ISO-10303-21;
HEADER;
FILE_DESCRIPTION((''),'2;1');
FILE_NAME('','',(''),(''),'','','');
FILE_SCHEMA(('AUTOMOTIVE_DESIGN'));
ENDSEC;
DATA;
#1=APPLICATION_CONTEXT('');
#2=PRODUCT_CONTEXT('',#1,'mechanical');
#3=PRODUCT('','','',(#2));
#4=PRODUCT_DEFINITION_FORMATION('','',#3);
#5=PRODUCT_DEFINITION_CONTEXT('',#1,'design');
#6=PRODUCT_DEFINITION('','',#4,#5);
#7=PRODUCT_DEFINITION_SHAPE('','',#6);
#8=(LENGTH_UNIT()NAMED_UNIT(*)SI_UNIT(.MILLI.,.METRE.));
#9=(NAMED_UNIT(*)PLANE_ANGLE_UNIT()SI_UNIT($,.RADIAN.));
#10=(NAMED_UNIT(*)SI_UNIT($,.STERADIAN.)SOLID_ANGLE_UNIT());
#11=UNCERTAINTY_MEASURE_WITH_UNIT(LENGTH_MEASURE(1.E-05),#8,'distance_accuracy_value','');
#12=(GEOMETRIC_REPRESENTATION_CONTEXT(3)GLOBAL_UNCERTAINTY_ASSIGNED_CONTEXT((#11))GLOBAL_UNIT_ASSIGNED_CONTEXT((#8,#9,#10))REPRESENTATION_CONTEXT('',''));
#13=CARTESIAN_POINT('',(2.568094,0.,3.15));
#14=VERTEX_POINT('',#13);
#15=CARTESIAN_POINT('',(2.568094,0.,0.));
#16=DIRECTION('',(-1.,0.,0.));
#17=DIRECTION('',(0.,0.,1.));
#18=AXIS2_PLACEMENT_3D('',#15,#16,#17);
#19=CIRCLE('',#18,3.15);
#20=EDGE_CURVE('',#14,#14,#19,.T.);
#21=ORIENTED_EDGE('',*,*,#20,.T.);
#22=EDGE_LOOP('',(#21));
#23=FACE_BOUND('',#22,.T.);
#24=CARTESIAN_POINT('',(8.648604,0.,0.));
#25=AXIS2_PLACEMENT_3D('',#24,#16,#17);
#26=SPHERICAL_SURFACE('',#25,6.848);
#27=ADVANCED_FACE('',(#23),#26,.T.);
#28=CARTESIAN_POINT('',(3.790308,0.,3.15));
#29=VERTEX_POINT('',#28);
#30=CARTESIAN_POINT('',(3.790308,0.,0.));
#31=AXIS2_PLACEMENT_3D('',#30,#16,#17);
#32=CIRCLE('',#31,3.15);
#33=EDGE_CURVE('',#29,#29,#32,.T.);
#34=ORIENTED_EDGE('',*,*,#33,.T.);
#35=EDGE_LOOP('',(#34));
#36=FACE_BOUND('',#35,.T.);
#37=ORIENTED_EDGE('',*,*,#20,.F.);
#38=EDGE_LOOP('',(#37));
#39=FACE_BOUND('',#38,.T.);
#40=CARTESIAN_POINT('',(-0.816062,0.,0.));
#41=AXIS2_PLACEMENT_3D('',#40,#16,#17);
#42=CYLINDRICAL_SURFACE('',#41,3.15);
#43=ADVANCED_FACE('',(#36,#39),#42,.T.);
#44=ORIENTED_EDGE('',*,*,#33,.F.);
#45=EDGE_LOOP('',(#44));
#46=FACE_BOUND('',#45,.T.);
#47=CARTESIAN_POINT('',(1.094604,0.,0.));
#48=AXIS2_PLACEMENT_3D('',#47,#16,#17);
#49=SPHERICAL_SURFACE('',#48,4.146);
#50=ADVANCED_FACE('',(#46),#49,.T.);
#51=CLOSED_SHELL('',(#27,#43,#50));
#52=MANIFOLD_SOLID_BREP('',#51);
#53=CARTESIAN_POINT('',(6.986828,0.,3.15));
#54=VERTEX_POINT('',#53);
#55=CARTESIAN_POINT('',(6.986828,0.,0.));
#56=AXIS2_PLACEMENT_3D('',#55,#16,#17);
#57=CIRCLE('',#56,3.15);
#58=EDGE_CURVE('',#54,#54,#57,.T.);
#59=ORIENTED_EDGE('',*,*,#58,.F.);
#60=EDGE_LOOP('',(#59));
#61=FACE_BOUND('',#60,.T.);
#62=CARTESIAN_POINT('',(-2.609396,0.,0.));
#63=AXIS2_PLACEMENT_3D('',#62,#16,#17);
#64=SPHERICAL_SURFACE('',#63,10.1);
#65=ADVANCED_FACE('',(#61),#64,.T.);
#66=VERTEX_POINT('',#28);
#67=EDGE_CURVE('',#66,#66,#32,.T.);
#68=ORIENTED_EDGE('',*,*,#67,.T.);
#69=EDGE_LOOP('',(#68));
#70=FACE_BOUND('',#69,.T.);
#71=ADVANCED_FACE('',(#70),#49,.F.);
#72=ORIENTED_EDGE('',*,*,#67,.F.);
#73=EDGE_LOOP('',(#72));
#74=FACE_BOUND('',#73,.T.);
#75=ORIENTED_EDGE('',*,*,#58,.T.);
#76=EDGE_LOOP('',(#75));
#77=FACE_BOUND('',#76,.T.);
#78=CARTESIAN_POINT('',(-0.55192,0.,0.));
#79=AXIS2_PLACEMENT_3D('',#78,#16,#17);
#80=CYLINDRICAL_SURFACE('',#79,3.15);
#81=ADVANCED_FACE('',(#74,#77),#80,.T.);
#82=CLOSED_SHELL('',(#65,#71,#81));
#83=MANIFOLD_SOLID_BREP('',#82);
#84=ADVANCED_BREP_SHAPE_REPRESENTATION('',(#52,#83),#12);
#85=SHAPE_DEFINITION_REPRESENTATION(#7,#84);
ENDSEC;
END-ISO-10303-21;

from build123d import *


with BuildPart() as part:
    # 草图1 one side → 旋转1 (revolve)
    with BuildSketch(Plane(origin=(0, 0, 0), x_dir=(1, 0, 0), z_dir=(0, 1, 0)), mode=Mode.PRIVATE) as revolve_1_sk:
        with BuildLine():
            ThreePointArc((2.568094164, 3.15), (1.995242871, 1.621075309), (1.80060434, 0))
            Line((1.80060434, 0), (5.24060434, 0))
            ThreePointArc((5.24060434, 0), (4.860616931, 1.733916136), (3.790307588, 3.15))
            Line((3.790307588, 3.15), (2.568094164, 3.15))
        make_face()
    revolve(revolve_1_sk.sketch.rotate(Axis((-0.816062176, 0, 0), (1, 0, 0)), 180), axis=Axis((-0.816062176, 0, 0), (1, 0, 0)))  # turned: the seam where the file's is


with BuildPart() as body_2:
    # 草图2 one side → 旋转3 (revolve)
    with BuildSketch(Plane(origin=(0, 0, 0), x_dir=(1, 0, 0), z_dir=(0, 1, 0)), mode=Mode.PRIVATE) as revolve_3_sk:
        with BuildLine():
            Line((6.986827555, 3.15), (3.790307588, 3.15))
            ThreePointArc((3.790307588, 3.15), (4.860616931, 1.733916136), (5.24060434, 0))
            Line((5.24060434, 0), (7.49060434, 0))
            ThreePointArc((7.49060434, 0), (7.363864952, 1.595014972), (6.986827555, 3.15))
        make_face()
    revolve(revolve_3_sk.sketch.rotate(Axis((-0.551919993, 0, 0), (1, 0, 0)), 180), axis=Axis((-0.551919993, 0, 0), (1, 0, 0)))  # turned: the seam where the file's is


solid = Compound([part.part, body_2.part])
